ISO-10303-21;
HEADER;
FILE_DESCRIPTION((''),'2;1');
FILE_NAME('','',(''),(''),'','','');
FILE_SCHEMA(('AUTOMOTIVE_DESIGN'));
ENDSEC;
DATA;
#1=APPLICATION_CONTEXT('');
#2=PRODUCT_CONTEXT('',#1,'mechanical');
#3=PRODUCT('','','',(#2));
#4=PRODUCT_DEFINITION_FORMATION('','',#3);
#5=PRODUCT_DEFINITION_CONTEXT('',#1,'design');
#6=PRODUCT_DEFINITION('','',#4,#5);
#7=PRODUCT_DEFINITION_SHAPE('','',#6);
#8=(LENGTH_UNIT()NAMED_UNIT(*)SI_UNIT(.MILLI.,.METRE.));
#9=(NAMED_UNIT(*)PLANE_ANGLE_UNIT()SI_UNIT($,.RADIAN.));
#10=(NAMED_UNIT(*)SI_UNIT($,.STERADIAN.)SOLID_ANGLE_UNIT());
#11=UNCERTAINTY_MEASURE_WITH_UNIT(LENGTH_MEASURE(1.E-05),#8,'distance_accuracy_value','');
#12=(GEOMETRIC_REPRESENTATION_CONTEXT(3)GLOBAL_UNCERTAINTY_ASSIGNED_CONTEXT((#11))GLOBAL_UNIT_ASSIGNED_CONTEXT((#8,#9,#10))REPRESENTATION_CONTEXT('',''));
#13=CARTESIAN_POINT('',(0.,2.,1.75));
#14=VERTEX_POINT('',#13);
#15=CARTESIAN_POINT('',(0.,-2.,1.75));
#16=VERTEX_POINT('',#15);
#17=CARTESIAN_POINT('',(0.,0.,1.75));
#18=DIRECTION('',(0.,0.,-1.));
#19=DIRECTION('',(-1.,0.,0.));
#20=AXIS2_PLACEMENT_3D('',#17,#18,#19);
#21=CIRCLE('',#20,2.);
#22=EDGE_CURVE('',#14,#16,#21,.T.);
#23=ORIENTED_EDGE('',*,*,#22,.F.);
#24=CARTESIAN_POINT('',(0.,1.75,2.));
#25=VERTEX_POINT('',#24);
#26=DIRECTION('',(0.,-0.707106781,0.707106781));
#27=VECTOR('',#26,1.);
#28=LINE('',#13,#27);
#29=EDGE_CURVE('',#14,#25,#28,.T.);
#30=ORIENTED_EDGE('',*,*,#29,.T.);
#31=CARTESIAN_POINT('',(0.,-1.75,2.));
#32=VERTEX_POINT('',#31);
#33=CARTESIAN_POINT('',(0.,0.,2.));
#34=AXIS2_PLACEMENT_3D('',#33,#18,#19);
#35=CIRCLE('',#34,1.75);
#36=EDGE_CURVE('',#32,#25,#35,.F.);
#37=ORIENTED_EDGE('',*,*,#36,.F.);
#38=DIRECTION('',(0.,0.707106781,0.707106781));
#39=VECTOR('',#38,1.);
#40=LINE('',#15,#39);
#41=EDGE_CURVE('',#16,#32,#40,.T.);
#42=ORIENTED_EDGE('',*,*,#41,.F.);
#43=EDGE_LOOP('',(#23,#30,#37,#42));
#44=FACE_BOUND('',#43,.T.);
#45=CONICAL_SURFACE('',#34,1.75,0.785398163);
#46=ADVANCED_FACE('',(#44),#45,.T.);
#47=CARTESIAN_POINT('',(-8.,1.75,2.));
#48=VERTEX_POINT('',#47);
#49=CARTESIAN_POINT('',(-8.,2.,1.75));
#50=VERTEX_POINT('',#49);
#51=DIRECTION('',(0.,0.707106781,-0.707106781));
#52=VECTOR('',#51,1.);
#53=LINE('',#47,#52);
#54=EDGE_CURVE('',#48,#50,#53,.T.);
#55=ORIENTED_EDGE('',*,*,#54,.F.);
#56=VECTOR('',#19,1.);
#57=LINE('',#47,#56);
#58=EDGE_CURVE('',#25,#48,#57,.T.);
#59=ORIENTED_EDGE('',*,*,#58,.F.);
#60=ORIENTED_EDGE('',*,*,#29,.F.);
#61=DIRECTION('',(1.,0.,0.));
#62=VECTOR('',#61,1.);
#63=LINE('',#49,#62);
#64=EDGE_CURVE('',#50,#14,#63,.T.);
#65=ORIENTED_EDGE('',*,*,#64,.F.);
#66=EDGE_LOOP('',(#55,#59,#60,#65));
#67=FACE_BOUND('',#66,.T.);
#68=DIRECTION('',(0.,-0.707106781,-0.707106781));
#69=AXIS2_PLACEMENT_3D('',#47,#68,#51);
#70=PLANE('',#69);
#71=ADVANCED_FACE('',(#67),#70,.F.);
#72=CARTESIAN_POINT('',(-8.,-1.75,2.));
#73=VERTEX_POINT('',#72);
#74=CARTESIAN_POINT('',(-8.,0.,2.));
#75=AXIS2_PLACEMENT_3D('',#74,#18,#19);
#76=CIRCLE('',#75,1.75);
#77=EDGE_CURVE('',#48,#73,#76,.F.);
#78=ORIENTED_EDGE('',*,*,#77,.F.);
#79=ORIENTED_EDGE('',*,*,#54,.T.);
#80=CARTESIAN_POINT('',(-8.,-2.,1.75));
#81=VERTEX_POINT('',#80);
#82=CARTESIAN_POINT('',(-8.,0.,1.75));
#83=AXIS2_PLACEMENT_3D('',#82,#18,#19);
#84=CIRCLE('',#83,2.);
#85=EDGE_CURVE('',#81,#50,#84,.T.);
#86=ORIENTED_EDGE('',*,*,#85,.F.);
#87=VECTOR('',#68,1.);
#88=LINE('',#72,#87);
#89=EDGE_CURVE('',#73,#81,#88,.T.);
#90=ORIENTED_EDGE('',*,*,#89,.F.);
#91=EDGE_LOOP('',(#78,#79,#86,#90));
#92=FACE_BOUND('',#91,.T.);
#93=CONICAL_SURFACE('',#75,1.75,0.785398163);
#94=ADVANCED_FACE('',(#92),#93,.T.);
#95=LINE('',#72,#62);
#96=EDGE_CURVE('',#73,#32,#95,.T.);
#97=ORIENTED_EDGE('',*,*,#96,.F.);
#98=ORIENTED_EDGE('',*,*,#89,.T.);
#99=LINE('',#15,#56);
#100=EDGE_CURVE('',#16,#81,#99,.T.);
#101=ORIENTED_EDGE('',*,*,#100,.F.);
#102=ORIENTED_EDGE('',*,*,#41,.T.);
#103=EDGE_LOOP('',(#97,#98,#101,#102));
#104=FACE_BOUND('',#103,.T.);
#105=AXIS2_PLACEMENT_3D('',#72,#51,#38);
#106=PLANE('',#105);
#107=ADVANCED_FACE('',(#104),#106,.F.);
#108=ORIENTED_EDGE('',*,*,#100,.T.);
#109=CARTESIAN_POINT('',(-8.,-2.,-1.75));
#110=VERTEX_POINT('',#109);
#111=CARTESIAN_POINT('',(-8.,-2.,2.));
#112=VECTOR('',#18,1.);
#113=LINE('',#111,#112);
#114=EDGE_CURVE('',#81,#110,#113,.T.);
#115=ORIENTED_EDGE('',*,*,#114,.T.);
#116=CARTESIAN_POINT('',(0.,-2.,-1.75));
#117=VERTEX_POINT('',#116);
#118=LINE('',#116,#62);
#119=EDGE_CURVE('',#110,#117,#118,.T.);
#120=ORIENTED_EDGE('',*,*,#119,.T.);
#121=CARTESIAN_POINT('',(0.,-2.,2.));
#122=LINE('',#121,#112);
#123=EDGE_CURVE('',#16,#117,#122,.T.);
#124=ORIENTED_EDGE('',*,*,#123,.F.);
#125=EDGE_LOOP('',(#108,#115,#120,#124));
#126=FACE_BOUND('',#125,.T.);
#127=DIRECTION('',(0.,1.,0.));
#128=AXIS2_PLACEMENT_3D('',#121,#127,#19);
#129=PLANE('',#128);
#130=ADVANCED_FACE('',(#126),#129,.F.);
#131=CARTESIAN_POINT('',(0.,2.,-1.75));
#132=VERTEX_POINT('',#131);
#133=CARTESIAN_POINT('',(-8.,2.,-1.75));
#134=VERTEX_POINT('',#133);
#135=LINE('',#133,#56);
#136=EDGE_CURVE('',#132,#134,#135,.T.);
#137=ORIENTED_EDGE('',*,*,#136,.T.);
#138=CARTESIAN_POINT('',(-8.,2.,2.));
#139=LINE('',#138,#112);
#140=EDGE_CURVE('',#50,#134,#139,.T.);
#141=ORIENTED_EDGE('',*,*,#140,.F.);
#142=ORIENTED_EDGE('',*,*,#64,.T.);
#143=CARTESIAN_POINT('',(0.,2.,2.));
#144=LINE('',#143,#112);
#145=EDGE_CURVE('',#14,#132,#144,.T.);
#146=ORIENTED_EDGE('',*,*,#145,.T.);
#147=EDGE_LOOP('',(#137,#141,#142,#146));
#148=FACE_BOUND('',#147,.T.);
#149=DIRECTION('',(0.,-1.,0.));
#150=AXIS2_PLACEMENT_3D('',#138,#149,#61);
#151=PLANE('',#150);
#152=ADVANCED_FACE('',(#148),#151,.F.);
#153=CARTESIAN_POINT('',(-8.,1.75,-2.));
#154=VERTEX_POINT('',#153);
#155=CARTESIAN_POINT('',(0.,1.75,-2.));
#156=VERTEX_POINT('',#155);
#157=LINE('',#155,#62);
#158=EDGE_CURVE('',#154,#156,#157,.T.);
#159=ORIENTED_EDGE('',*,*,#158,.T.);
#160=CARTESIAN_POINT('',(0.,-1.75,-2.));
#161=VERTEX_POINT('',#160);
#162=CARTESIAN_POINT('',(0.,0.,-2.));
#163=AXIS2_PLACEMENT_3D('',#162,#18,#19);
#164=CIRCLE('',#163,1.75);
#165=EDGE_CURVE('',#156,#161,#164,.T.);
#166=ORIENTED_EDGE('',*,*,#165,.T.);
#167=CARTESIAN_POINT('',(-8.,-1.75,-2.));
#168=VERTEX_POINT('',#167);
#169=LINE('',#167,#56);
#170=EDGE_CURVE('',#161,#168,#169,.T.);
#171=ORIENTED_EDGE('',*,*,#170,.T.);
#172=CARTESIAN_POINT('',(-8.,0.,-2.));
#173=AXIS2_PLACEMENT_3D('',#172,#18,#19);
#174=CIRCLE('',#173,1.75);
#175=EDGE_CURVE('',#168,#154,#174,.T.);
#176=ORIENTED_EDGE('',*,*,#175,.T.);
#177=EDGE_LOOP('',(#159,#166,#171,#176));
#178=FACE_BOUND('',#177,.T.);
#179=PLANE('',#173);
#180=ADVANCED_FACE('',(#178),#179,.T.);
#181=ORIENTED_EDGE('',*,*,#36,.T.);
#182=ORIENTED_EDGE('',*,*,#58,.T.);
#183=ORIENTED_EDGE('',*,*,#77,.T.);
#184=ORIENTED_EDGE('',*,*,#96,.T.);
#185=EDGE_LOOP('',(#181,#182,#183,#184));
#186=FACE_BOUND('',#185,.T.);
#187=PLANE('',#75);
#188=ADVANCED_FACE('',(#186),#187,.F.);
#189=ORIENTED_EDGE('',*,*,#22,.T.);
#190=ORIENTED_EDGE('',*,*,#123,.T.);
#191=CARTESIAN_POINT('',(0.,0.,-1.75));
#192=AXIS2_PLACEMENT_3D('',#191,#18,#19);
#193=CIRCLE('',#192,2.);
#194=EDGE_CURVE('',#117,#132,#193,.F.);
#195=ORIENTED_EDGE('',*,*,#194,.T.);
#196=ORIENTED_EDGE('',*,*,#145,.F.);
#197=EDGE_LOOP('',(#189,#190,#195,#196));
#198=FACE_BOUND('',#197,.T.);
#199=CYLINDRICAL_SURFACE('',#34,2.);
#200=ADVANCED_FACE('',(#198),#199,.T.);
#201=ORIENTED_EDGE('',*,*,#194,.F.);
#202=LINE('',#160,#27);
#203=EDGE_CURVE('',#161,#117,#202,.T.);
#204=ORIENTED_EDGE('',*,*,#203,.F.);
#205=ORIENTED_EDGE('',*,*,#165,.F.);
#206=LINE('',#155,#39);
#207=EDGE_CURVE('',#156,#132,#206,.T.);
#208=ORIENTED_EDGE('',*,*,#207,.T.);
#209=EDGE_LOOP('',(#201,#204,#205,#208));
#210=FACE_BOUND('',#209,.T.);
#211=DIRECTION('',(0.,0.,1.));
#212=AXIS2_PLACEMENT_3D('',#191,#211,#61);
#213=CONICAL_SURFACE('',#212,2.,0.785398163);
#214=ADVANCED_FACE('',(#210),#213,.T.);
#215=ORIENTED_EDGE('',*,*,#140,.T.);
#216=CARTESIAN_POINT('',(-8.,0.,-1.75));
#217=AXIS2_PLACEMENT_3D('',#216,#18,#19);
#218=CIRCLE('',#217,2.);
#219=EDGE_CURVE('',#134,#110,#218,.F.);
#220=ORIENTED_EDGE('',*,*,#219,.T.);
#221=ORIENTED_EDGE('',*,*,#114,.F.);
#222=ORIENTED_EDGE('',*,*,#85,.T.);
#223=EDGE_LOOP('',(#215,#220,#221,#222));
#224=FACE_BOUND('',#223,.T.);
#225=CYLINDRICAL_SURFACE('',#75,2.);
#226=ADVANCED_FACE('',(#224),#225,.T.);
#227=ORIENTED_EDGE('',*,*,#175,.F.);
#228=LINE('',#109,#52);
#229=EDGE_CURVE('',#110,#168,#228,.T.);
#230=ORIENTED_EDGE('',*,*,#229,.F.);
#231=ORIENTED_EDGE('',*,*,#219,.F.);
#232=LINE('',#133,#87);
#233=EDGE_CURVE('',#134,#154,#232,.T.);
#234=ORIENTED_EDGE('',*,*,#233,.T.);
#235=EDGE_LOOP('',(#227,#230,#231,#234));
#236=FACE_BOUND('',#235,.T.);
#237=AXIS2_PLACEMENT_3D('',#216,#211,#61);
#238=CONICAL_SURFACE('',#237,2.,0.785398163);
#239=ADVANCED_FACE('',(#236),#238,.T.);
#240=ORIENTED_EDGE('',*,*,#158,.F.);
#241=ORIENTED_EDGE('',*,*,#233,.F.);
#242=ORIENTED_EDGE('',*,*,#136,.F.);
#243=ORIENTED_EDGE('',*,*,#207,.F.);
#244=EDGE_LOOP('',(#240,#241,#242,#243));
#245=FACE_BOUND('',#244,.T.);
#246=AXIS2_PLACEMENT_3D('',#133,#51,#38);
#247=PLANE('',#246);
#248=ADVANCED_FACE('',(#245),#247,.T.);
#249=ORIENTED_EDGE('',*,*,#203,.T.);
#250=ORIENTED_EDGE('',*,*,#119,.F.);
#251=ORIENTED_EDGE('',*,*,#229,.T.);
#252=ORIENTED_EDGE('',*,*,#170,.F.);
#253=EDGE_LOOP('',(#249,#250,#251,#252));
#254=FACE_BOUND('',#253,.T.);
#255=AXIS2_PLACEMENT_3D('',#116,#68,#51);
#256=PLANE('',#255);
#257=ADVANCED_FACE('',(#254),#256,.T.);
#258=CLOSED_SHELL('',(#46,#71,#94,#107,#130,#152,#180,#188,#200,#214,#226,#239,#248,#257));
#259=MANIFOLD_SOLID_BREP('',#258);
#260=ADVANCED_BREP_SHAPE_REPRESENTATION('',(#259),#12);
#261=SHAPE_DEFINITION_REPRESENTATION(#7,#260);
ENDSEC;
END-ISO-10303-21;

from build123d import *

# Parameters (mm, degrees)
BASEKEY_DEPTH = 2
CHAMFER1_SIZE = 0.25


with BuildPart() as part:
    # Sketch1 → BaseKey (new body, symmetric)
    with BuildSketch(Plane.XY):
        with BuildLine():
            Line((-8, 2), (0, 2))
            ThreePointArc((0, 2), (2, 0), (0, -2))
            Line((0, -2), (-8, -2))
            ThreePointArc((-8, -2), (-10, 0), (-8, 2))
        make_face()
    extrude(amount=BASEKEY_DEPTH, both=True)

    # Chamfer1
    chamfer1_edges = [part.edges().sort_by_distance(p)[0] for p in [
        (2, 0, 2),
        (-4, 2, 2),
        (-10, 0, 2),
        (-4, 2, -2),
        (2, 0, -2),
        (-4, -2, -2),
        (-10, 0, -2),
        (-4, -2, 2),
    ]]
    chamfer(chamfer1_edges, length=CHAMFER1_SIZE)


solid = part.part
